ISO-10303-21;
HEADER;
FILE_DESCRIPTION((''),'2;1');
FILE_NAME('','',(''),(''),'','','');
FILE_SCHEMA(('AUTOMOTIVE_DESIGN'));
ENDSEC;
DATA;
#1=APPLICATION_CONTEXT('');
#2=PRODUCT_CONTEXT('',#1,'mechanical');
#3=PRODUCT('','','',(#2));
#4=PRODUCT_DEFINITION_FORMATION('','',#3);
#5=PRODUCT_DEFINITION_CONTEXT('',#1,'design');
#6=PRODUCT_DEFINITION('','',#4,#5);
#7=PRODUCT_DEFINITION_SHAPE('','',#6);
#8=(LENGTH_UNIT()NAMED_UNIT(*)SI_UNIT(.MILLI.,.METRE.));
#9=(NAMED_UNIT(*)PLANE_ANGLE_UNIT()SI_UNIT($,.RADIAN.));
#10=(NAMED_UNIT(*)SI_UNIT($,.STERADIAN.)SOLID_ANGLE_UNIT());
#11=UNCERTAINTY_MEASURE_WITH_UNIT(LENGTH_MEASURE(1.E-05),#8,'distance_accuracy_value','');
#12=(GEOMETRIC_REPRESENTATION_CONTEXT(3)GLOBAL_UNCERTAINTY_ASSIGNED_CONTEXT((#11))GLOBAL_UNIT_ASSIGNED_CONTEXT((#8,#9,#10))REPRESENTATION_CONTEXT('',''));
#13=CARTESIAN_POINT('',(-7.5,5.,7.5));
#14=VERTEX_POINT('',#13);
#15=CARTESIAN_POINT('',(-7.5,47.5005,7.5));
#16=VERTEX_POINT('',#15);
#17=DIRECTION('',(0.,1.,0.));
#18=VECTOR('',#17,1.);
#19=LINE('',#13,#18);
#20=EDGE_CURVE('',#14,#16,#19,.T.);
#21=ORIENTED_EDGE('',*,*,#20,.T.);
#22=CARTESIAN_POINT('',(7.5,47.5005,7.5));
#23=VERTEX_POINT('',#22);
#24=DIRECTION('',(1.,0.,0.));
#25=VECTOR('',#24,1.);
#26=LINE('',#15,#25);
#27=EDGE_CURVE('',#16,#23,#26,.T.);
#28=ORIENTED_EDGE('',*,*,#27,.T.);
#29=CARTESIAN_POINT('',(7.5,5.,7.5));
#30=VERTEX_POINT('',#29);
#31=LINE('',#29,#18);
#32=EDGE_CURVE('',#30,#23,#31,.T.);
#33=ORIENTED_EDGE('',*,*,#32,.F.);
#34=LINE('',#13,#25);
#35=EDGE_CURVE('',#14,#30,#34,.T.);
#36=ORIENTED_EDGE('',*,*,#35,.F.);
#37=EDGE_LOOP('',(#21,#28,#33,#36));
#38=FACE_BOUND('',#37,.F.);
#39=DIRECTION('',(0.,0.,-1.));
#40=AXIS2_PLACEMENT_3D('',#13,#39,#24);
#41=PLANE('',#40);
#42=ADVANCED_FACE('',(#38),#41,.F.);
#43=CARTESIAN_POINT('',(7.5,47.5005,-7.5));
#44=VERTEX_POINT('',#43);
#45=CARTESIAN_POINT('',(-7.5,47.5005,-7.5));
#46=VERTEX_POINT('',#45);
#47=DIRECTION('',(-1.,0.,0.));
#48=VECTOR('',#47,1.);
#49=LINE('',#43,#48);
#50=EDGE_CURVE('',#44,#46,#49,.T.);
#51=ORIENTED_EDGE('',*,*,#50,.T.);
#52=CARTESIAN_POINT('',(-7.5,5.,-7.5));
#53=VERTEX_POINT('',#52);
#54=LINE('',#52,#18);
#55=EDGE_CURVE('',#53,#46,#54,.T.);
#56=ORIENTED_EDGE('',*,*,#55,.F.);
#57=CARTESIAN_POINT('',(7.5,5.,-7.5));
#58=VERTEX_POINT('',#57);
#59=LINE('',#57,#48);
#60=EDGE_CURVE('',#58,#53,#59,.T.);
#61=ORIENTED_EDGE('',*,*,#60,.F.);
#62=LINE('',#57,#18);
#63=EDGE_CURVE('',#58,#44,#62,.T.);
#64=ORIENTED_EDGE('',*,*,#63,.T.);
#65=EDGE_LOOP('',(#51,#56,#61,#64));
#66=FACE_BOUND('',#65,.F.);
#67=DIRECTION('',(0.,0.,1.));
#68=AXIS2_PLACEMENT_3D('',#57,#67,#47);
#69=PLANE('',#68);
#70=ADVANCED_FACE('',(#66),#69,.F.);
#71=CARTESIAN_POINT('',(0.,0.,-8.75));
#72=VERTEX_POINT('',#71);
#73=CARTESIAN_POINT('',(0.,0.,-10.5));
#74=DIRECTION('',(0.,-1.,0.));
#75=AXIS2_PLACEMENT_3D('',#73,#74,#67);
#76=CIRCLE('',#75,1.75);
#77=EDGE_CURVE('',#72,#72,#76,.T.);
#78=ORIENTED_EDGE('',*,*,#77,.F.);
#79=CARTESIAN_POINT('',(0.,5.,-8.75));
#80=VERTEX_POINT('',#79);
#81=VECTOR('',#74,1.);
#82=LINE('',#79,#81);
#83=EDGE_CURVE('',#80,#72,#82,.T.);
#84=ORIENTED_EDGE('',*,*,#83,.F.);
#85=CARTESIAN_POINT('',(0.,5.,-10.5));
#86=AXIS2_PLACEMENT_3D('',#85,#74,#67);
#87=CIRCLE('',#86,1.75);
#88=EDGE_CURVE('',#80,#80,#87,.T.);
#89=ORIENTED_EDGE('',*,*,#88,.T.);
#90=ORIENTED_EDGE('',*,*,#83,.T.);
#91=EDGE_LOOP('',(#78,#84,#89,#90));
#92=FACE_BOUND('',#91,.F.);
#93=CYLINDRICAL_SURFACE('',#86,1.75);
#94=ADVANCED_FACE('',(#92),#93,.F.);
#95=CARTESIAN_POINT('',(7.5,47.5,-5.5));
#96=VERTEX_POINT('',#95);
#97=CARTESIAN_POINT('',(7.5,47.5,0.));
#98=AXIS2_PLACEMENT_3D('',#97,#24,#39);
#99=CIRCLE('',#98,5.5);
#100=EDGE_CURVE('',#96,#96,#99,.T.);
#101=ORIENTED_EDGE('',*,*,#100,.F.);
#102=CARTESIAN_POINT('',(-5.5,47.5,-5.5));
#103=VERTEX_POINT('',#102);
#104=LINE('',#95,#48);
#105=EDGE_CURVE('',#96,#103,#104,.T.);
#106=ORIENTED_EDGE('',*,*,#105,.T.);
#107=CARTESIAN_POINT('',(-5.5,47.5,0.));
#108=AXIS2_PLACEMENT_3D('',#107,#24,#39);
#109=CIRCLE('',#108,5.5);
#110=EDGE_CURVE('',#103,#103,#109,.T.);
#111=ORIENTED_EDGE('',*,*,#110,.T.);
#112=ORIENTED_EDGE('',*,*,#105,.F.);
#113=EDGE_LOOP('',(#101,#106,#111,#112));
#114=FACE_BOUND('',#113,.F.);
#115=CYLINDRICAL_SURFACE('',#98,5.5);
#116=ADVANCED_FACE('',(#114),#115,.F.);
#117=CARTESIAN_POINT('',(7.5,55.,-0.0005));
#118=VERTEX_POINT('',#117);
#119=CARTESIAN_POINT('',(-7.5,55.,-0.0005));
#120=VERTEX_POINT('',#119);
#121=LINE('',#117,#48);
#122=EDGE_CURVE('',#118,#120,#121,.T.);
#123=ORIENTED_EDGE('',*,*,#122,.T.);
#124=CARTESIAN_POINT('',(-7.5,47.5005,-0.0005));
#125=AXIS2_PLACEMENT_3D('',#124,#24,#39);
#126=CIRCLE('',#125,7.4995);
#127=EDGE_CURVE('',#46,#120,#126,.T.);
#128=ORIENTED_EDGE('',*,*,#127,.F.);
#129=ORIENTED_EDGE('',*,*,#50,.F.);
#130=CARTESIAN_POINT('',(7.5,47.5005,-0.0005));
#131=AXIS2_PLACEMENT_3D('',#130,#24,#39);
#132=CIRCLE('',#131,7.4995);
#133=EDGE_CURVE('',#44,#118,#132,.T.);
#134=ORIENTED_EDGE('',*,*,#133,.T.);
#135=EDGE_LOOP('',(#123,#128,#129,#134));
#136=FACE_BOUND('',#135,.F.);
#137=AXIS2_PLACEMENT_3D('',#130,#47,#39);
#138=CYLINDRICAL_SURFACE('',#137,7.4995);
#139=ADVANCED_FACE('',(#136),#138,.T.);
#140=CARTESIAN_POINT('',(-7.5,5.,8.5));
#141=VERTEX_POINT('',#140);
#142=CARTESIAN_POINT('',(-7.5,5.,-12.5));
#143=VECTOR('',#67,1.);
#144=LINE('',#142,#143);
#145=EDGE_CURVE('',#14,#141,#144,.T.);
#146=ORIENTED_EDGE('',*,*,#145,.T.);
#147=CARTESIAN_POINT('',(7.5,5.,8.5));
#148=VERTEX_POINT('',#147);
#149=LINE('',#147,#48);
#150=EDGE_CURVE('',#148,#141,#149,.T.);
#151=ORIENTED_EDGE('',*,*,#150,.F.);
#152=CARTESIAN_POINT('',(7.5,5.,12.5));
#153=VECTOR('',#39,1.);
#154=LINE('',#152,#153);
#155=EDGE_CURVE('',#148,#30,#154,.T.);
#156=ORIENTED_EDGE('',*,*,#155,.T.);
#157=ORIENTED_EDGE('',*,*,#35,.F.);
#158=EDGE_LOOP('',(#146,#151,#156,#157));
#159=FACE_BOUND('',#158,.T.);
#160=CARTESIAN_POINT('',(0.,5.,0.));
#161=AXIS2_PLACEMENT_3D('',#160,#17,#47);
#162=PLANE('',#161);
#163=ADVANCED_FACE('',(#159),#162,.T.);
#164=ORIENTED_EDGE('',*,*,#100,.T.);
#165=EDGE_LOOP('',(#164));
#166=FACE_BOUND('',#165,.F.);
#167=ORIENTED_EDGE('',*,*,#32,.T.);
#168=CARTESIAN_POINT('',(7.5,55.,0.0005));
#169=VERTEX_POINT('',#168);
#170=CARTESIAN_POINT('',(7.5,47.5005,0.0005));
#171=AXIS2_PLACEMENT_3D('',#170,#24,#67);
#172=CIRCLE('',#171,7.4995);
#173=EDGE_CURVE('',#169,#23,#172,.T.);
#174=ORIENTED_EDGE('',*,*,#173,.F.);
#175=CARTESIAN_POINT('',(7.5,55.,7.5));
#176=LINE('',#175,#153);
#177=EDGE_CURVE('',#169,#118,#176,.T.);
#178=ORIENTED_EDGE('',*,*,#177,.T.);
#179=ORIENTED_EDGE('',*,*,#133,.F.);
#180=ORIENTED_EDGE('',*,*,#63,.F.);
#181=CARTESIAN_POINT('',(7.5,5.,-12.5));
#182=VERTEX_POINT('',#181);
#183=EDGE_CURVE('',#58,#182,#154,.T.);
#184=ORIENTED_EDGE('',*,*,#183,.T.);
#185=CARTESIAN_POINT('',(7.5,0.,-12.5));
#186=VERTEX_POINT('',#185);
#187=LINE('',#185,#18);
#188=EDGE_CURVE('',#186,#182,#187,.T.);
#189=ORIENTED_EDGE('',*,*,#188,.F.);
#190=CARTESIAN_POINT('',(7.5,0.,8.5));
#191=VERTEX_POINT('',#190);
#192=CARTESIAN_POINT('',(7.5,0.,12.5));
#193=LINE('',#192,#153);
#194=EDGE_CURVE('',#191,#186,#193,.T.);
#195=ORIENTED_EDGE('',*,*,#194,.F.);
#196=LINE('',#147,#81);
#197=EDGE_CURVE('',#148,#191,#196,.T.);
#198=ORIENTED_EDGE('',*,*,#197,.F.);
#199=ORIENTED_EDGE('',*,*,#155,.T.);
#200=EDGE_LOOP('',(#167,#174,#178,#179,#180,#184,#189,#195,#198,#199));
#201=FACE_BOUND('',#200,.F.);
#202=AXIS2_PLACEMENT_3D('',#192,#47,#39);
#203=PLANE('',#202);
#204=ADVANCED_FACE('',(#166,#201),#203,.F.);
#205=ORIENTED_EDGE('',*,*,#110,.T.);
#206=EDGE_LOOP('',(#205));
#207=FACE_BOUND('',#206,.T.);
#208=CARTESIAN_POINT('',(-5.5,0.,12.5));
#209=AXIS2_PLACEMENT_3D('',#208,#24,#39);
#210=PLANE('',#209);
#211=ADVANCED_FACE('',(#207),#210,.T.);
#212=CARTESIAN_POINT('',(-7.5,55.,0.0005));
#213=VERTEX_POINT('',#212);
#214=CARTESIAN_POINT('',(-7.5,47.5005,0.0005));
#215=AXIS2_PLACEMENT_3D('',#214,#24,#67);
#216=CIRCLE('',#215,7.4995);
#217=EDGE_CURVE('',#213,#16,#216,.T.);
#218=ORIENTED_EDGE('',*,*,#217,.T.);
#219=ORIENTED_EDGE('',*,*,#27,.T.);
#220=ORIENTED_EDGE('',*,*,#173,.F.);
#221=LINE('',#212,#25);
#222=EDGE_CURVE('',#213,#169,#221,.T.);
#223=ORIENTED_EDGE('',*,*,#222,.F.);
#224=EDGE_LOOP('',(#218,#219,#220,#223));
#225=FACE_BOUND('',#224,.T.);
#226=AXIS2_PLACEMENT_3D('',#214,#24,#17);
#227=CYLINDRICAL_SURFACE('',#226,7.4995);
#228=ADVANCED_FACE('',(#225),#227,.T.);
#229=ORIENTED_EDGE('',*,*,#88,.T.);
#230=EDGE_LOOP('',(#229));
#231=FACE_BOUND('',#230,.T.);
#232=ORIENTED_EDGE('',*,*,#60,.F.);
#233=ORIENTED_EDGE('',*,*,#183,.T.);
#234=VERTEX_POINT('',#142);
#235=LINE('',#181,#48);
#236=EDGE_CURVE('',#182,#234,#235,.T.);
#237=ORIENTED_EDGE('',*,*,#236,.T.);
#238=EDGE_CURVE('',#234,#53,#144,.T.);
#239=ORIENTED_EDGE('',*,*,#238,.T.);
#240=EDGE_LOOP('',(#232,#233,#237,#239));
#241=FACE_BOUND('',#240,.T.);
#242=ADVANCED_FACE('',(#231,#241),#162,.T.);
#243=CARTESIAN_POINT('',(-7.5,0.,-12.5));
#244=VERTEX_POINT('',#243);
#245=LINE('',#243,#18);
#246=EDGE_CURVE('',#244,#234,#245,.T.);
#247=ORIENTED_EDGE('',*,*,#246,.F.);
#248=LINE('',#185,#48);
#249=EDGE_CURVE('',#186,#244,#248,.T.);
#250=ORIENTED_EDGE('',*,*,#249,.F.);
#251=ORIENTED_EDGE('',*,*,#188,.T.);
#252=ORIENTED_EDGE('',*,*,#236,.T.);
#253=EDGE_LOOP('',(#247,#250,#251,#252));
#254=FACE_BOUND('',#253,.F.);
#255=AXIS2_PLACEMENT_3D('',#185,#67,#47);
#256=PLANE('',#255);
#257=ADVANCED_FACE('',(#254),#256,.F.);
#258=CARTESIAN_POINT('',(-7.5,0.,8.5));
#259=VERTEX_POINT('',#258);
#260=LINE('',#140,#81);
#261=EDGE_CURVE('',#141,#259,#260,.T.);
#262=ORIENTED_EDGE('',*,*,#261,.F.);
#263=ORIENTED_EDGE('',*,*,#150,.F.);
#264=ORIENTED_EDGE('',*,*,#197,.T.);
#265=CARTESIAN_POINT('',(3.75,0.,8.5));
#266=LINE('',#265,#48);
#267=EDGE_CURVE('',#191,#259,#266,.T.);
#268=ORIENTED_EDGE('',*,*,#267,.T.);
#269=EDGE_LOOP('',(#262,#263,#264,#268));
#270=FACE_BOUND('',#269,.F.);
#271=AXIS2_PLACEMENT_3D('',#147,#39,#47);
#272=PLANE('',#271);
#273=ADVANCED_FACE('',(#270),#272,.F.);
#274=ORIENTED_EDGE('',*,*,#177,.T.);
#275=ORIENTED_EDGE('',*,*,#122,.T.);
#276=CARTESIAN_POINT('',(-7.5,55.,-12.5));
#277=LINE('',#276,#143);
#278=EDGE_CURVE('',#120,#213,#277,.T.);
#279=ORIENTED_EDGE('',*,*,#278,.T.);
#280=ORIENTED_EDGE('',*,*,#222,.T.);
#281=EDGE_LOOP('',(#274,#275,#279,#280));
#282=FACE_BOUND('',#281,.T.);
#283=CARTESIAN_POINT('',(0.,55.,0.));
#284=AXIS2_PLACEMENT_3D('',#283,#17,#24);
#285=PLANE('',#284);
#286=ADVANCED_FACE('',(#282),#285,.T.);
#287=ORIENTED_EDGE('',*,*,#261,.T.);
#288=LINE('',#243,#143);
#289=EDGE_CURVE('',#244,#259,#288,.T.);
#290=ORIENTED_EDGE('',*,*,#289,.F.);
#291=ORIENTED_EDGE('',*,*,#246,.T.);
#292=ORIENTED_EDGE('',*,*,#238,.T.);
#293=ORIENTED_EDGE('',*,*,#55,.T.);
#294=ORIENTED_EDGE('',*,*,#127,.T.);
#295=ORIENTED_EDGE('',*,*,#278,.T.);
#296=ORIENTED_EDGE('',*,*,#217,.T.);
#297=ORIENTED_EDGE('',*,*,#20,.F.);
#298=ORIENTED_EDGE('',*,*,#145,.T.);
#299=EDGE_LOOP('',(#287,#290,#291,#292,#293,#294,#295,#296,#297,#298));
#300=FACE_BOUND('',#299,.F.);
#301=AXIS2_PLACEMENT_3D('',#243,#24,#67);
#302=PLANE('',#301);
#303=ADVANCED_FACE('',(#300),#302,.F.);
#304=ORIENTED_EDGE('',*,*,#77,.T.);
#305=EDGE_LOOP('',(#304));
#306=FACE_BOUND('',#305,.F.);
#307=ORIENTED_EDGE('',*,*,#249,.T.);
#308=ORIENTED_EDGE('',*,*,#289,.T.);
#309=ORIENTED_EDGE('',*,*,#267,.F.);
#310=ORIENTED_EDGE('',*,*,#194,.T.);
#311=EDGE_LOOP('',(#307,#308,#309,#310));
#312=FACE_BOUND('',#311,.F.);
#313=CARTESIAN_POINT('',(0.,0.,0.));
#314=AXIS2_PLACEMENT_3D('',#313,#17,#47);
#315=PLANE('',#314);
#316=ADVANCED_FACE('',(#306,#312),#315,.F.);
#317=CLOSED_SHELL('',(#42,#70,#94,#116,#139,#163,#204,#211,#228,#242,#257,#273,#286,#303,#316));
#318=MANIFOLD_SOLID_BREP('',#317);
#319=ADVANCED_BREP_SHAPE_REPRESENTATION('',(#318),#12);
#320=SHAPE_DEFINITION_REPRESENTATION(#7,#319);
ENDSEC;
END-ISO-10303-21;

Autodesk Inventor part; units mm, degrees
ref_plane "YZ Plane" through (0, 0, 0) normal (1, 0, 0) x (0, 1, 0)
ref_plane "XZ Plane" through (0, 0, 0) normal (0, 1, 0) x (-1, 0, 0)
ref_plane "XY Plane" through (0, 0, 0) normal (0, 0, 1) x (1, 0, 0)
sketch "Sketch1" plane through (0, 0, 0) normal (0, 1, 0) x (-1, 0, 0)
  line L0 (7.5, 12.5) -> (-7.5, 12.5)
  line L1 (-7.5, 12.5) -> (-7.5, -12.5)
  line L2 (-7.5, -12.5) -> (7.5, -12.5)
  line L3 (7.5, -12.5) -> (7.5, 12.5)
  line L4 (7.5, 12.5) -> (-7.5, -12.5) construction
  line L5 (-7.5, 12.5) -> (7.5, -12.5) construction
  point P0 (0, 0)
  dimension "d0" = 15
  dimension "d1" = 25
extrude "Extrusion1" add sketch "Sketch1" along normal blind 5
sketch "Sketch2" plane through (0, 5, 0) normal (0, 1, 0) x (1, 0, 0)
  line L0 (-7.5, -12.5) -> (7.5, -12.5) projected
  line L1 (-7.5, 12.5) -> (-7.5, -12.5) projected
  line L2 (7.5, 7.5) -> (-7.5, 7.5)
  line L3 (-7.5, 7.5) -> (-7.5, -7.5)
  line L4 (-7.5, -7.5) -> (7.5, -7.5)
  line L5 (7.5, -7.5) -> (7.5, 7.5)
  line L6 (7.5, 7.5) -> (-7.5, -7.5) construction
  line L7 (-7.5, 7.5) -> (7.5, -7.5) construction
  point P0 (0, 0)
  dimension "d5" = 15
extrude "Extrusion2" add sketch "Sketch2" along normal blind 50
sketch "Sketch3" plane through (7.5, 0, 12.5) normal (1, 0, 0) x (0, 0, -1)
  circle A0 centre (12.5, 47.5) radius 5.5
  point P0 (12.5, 0)
  point P1 (14.5, 47.5)
  dimension "d9" = 11
extrude "Extrusion3" cut sketch "Sketch3" against normal blind 13
fillet "Fillet1" radius 7.5 2 edges at (0, 55, -7.5) (0, 55, 7.5)
sketch "Sketch5" plane through (0, 5, 0) normal (0, 1, 0) x (1, 0, 0)
  line L0 (7.5, -7.5) -> (-7.5, -7.5) projected
  line L1 (-7.5, -12.5) -> (7.5, -12.5) projected
  line L2 (-7.5, 7.5) -> (7.5, 7.5) projected
  line L3 (7.5, 12.5) -> (-7.5, 12.5) projected
  point P0 (0, 0)
  point P1 (0, -10.5)
  point P2 (0, 10.5)
hole "Hole2" at (0, 5, 10.5) at (0, 5, -10.5) direction (0, -1, 0) diameter 3.5 end through all
sketch "Sketch6" plane through (0, 5, 0) normal (0, 1, 0) x (1, 0, 0)
  point P0 (0, 0)
sketch "Sketch7" plane through (0, 5, 0) normal (0, 1, 0) x (1, 0, 0)
  line L0 (7.5, -7.5) -> (-7.5, -7.5) projected
  line L1 (-7.5, -12.5) -> (7.5, -12.5) projected
  line L2 (-7.5, -7.5) -> (7.5, -7.5)
  line L3 (7.5, -7.5) -> (7.5, -12.5)
  line L4 (7.5, -12.5) -> (-7.5, -12.5)
  line L5 (-7.5, -12.5) -> (-7.5, -7.5)
  line L6 (-7.5, -12.5) -> (7.5, -12.5)
  line L7 (7.5, -12.5) -> (7.5, -8.5)
  line L8 (7.5, -8.5) -> (-7.5, -8.5)
  line L9 (-7.5, -8.5) -> (-7.5, -12.5)
  point P0 (0, 0)
  point P1 (-7.5, -8.5)
  dimension "d33" = 4
extrude "Extrusion5" cut sketch "Sketch7" against normal through all contours L3 L1 L5 L8
properties part number "Holder_slim_1_fod_højre"
